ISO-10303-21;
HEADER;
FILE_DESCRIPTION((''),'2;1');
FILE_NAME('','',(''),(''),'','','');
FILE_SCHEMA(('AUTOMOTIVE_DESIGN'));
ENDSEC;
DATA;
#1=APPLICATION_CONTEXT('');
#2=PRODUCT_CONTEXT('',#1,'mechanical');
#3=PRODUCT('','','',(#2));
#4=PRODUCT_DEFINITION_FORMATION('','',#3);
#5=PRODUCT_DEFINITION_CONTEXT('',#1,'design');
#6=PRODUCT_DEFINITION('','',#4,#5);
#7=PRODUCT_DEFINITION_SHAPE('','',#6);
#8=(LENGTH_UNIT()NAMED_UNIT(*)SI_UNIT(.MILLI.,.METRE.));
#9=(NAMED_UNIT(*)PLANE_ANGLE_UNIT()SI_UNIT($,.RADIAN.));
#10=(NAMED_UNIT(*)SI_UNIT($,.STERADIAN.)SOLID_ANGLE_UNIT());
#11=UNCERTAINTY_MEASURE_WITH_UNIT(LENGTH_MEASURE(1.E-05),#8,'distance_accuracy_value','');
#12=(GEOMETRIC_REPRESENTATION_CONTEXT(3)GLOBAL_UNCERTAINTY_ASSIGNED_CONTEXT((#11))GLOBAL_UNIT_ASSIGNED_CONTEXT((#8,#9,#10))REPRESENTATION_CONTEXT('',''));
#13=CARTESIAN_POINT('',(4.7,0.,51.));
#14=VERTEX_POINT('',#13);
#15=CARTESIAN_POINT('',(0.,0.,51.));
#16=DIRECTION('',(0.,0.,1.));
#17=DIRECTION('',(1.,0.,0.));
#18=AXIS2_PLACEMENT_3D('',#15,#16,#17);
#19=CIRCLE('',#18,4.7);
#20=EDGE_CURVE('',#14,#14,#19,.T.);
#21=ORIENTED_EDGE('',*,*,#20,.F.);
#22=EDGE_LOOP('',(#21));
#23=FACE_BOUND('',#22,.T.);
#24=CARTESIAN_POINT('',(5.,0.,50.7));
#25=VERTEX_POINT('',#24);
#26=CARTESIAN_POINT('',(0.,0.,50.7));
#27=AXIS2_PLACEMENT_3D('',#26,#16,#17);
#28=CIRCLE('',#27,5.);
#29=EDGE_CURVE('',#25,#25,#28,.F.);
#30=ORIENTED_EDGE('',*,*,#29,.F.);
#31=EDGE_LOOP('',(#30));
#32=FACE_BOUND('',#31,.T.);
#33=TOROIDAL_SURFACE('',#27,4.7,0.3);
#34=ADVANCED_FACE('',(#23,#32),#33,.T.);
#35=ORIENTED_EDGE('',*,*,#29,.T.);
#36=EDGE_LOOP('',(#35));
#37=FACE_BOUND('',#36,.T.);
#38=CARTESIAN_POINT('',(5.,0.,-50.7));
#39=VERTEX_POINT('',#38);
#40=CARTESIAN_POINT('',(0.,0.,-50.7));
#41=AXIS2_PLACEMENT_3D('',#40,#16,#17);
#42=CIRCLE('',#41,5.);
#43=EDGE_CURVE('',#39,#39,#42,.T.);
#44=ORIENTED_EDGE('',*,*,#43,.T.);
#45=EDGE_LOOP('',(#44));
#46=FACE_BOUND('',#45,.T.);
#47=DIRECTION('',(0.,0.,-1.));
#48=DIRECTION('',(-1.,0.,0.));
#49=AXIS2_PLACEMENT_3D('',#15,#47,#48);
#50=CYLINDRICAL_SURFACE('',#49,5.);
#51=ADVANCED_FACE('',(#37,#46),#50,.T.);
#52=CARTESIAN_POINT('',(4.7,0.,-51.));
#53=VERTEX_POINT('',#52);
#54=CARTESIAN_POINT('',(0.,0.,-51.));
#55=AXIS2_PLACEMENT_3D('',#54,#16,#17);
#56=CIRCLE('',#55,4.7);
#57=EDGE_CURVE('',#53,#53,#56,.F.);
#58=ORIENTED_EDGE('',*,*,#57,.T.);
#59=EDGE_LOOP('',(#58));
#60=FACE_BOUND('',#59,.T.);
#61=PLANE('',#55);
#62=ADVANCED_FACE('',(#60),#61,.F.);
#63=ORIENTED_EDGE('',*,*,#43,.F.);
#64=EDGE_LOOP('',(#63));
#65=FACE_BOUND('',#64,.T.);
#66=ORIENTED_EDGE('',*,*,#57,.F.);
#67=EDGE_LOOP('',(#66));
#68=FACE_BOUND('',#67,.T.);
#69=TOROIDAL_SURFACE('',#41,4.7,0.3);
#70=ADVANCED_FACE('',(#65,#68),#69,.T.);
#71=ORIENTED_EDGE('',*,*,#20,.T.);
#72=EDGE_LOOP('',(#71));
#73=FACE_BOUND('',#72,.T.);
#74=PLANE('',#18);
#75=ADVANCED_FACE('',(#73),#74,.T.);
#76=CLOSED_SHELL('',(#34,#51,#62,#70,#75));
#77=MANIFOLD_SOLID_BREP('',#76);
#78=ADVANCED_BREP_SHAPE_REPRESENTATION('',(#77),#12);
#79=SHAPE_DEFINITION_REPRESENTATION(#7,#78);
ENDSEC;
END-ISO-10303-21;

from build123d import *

# Parameters (mm, degrees)
SZKIC1_R                    = 5
DODANIE_WYCI_GNI_CIE1_DEPTH = 51
ZAOKR_GLENIE1_R             = 0.3


with BuildPart() as part:
    # Szkic1 → Dodanie-wyciągnięcie1 (new, symmetric)
    with BuildSketch(Plane.XY):
        Circle(SZKIC1_R)
    extrude(amount=DODANIE_WYCI_GNI_CIE1_DEPTH, both=True)

    # Zaokrąglenie1
    zaokr_glenie1_edges = [part.edges().sort_by_distance(p)[0] for p in [
        (-5, 0, -51),
        (-5, 0, 51),
    ]]
    fillet(zaokr_glenie1_edges, radius=ZAOKR_GLENIE1_R)


solid = part.part
